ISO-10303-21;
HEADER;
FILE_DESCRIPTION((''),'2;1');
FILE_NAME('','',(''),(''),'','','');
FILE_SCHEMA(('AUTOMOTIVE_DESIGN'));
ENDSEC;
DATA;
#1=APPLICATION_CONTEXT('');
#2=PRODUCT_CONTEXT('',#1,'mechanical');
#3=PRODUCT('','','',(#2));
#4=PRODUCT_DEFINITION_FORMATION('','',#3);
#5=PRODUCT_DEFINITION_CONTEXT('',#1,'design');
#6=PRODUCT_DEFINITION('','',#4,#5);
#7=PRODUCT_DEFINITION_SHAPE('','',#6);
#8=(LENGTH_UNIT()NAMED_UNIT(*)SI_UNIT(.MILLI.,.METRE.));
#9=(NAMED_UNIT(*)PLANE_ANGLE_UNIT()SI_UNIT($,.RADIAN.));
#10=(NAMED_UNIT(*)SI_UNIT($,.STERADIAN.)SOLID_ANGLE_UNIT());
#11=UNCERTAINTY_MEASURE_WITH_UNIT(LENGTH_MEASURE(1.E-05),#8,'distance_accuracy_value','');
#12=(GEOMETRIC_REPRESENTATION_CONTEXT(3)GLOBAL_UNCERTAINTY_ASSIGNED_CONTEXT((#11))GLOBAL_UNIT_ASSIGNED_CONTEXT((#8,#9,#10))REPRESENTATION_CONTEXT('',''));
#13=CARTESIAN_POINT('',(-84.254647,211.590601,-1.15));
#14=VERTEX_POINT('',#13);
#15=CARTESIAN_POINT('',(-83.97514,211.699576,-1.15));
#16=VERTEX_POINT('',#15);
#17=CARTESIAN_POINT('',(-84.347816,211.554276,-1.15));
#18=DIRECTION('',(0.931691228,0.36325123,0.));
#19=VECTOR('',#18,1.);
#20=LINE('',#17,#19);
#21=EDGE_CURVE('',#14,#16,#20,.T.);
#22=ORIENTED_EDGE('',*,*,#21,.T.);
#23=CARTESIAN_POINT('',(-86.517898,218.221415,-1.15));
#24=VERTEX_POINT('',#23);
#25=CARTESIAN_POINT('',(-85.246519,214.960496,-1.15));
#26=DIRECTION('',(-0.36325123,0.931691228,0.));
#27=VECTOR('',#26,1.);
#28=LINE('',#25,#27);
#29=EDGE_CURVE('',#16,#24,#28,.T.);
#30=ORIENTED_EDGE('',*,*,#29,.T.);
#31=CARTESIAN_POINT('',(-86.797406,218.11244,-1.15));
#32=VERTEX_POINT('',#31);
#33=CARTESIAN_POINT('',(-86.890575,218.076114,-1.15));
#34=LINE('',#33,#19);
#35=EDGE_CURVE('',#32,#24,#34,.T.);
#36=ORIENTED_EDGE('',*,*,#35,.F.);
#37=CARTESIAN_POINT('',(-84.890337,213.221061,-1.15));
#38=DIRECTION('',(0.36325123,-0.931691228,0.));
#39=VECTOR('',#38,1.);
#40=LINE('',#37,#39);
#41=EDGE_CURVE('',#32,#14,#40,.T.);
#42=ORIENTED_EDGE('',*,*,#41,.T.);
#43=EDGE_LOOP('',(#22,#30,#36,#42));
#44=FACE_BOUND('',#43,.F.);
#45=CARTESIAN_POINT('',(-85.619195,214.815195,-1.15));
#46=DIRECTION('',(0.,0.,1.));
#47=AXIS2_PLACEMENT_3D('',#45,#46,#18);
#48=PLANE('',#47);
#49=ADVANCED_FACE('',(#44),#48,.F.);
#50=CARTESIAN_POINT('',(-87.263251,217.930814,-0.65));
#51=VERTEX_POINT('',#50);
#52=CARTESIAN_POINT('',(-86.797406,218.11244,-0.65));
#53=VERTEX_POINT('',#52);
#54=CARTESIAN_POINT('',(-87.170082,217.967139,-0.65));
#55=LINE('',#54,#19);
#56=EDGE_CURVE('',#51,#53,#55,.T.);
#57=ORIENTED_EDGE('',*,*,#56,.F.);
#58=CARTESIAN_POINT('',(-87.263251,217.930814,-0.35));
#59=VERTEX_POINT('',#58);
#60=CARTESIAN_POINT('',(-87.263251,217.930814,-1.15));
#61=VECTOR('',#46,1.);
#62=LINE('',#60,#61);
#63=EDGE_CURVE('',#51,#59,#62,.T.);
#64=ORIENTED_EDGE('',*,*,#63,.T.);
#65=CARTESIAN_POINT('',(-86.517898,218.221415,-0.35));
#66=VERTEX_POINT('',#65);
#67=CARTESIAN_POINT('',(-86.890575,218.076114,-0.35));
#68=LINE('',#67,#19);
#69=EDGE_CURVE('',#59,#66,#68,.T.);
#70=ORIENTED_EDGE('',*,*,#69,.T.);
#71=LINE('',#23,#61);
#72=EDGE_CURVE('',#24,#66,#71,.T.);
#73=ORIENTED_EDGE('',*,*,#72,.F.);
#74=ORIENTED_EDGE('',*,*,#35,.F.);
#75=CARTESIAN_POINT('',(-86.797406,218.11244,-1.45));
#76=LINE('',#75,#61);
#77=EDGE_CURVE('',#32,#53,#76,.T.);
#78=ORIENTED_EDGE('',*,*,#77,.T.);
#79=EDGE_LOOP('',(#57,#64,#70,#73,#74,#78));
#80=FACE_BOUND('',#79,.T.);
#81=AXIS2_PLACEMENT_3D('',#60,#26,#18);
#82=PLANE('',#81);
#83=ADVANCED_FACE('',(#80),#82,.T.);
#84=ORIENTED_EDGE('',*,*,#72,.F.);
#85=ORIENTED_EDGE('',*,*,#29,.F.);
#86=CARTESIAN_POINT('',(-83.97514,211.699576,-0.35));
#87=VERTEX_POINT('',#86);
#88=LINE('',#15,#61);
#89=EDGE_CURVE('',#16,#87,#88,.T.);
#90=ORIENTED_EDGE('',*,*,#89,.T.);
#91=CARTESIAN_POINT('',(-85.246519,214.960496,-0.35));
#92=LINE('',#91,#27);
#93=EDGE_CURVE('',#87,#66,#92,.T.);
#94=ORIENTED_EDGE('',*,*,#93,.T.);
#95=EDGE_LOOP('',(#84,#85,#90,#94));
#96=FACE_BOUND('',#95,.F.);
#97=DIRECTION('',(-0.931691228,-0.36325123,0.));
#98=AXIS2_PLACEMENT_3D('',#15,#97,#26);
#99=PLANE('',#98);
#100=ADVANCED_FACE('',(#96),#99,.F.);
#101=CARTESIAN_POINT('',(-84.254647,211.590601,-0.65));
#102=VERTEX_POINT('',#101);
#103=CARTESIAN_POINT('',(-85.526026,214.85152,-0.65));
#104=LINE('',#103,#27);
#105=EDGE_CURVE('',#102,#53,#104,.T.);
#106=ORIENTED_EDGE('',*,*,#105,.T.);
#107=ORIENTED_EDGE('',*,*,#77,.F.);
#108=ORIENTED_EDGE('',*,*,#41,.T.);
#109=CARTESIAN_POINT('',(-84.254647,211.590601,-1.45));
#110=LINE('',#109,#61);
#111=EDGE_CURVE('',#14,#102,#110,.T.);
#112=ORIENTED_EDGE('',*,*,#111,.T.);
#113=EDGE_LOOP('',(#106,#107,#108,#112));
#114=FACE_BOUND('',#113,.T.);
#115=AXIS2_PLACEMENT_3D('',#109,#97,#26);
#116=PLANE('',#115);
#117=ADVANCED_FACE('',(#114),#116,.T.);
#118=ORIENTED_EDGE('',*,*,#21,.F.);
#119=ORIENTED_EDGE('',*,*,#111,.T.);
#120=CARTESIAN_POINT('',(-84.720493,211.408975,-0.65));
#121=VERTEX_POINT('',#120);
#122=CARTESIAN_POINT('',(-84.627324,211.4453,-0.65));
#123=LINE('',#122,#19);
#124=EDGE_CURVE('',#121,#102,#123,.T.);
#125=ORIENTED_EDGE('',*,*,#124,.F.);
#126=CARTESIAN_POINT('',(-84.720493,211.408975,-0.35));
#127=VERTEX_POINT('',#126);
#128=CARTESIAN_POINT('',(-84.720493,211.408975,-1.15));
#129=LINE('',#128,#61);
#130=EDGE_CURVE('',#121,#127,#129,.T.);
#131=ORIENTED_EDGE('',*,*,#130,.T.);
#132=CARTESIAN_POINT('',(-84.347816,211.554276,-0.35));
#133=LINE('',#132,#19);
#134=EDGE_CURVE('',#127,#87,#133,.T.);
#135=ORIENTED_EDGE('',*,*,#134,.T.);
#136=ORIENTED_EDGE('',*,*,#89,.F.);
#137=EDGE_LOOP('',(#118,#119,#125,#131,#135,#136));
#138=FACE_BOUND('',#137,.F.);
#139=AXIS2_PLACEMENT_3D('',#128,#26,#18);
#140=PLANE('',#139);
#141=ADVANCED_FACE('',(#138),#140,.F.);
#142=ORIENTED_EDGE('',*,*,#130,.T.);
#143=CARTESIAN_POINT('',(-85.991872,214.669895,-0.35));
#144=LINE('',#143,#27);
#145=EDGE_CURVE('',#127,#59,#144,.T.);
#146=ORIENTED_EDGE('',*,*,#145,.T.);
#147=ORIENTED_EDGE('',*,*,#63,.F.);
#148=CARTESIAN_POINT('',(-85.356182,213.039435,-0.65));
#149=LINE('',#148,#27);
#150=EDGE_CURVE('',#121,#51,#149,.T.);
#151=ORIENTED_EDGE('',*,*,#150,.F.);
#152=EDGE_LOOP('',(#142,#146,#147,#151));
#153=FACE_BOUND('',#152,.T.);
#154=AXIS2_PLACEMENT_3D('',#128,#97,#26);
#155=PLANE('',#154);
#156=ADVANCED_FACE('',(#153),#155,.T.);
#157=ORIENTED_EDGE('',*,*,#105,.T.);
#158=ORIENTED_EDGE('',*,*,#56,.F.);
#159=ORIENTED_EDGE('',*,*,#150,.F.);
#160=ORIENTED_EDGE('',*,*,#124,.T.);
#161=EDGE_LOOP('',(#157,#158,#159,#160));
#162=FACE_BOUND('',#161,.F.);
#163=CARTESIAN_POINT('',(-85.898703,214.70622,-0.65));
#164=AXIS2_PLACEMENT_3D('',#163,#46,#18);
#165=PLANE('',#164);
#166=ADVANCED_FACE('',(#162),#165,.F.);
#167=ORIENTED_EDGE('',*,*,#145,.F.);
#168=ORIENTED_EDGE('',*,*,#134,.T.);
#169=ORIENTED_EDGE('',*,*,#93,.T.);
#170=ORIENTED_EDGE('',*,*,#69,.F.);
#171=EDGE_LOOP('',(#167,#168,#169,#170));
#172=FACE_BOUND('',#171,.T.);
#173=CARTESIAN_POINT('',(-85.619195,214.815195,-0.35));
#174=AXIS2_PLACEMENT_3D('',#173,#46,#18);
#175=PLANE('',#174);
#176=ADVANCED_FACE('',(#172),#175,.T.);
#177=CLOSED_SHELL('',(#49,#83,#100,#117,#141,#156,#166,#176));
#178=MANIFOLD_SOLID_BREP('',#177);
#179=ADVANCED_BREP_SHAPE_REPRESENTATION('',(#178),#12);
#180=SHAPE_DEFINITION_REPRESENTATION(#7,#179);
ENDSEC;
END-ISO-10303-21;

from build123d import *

# Parameters (mm, degrees)
BOX149_W               = 0.8
BOX149_H               = 7
BOX149_DEPTH           = 0.8
BOX150_W               = 0.8
BOX150_H               = 7
BOX150_DEPTH           = 0.8
CUT078_PLACEMENT_ANGLE = 21.3


with BuildPart() as cubo149:
    # Box149 → Box149 (new body)
    with BuildSketch(Plane.XY):
        with Locations((0.4, 3.5)):
            Rectangle(BOX149_W, BOX149_H)
    extrude(amount=BOX149_DEPTH)


with BuildPart() as perfil_l_2da_cara020:
    # Box150 → Box150 (new body)
    with BuildSketch(Plane(origin=(0.3, 0, 0.3), x_dir=(1, 0, 0), z_dir=(0, 0, 1))):
        with Locations((0.4, 3.5)):
            Rectangle(BOX150_W, BOX150_H)
    extrude(amount=BOX150_DEPTH)

    # Cut078: cut Cubo149
    add(cubo149.part, mode=Mode.SUBTRACT)


with BuildPart() as perfil_l_2da_cara020_1:
    # Cut078 placement: moved
    add(perfil_l_2da_cara020.part.moved(Location((-85, 211.3, -1.45))).rotate(Axis((-85, 211.3, -1.45), (0, 0, 1)), CUT078_PLACEMENT_ANGLE))


solid = perfil_l_2da_cara020_1.part
